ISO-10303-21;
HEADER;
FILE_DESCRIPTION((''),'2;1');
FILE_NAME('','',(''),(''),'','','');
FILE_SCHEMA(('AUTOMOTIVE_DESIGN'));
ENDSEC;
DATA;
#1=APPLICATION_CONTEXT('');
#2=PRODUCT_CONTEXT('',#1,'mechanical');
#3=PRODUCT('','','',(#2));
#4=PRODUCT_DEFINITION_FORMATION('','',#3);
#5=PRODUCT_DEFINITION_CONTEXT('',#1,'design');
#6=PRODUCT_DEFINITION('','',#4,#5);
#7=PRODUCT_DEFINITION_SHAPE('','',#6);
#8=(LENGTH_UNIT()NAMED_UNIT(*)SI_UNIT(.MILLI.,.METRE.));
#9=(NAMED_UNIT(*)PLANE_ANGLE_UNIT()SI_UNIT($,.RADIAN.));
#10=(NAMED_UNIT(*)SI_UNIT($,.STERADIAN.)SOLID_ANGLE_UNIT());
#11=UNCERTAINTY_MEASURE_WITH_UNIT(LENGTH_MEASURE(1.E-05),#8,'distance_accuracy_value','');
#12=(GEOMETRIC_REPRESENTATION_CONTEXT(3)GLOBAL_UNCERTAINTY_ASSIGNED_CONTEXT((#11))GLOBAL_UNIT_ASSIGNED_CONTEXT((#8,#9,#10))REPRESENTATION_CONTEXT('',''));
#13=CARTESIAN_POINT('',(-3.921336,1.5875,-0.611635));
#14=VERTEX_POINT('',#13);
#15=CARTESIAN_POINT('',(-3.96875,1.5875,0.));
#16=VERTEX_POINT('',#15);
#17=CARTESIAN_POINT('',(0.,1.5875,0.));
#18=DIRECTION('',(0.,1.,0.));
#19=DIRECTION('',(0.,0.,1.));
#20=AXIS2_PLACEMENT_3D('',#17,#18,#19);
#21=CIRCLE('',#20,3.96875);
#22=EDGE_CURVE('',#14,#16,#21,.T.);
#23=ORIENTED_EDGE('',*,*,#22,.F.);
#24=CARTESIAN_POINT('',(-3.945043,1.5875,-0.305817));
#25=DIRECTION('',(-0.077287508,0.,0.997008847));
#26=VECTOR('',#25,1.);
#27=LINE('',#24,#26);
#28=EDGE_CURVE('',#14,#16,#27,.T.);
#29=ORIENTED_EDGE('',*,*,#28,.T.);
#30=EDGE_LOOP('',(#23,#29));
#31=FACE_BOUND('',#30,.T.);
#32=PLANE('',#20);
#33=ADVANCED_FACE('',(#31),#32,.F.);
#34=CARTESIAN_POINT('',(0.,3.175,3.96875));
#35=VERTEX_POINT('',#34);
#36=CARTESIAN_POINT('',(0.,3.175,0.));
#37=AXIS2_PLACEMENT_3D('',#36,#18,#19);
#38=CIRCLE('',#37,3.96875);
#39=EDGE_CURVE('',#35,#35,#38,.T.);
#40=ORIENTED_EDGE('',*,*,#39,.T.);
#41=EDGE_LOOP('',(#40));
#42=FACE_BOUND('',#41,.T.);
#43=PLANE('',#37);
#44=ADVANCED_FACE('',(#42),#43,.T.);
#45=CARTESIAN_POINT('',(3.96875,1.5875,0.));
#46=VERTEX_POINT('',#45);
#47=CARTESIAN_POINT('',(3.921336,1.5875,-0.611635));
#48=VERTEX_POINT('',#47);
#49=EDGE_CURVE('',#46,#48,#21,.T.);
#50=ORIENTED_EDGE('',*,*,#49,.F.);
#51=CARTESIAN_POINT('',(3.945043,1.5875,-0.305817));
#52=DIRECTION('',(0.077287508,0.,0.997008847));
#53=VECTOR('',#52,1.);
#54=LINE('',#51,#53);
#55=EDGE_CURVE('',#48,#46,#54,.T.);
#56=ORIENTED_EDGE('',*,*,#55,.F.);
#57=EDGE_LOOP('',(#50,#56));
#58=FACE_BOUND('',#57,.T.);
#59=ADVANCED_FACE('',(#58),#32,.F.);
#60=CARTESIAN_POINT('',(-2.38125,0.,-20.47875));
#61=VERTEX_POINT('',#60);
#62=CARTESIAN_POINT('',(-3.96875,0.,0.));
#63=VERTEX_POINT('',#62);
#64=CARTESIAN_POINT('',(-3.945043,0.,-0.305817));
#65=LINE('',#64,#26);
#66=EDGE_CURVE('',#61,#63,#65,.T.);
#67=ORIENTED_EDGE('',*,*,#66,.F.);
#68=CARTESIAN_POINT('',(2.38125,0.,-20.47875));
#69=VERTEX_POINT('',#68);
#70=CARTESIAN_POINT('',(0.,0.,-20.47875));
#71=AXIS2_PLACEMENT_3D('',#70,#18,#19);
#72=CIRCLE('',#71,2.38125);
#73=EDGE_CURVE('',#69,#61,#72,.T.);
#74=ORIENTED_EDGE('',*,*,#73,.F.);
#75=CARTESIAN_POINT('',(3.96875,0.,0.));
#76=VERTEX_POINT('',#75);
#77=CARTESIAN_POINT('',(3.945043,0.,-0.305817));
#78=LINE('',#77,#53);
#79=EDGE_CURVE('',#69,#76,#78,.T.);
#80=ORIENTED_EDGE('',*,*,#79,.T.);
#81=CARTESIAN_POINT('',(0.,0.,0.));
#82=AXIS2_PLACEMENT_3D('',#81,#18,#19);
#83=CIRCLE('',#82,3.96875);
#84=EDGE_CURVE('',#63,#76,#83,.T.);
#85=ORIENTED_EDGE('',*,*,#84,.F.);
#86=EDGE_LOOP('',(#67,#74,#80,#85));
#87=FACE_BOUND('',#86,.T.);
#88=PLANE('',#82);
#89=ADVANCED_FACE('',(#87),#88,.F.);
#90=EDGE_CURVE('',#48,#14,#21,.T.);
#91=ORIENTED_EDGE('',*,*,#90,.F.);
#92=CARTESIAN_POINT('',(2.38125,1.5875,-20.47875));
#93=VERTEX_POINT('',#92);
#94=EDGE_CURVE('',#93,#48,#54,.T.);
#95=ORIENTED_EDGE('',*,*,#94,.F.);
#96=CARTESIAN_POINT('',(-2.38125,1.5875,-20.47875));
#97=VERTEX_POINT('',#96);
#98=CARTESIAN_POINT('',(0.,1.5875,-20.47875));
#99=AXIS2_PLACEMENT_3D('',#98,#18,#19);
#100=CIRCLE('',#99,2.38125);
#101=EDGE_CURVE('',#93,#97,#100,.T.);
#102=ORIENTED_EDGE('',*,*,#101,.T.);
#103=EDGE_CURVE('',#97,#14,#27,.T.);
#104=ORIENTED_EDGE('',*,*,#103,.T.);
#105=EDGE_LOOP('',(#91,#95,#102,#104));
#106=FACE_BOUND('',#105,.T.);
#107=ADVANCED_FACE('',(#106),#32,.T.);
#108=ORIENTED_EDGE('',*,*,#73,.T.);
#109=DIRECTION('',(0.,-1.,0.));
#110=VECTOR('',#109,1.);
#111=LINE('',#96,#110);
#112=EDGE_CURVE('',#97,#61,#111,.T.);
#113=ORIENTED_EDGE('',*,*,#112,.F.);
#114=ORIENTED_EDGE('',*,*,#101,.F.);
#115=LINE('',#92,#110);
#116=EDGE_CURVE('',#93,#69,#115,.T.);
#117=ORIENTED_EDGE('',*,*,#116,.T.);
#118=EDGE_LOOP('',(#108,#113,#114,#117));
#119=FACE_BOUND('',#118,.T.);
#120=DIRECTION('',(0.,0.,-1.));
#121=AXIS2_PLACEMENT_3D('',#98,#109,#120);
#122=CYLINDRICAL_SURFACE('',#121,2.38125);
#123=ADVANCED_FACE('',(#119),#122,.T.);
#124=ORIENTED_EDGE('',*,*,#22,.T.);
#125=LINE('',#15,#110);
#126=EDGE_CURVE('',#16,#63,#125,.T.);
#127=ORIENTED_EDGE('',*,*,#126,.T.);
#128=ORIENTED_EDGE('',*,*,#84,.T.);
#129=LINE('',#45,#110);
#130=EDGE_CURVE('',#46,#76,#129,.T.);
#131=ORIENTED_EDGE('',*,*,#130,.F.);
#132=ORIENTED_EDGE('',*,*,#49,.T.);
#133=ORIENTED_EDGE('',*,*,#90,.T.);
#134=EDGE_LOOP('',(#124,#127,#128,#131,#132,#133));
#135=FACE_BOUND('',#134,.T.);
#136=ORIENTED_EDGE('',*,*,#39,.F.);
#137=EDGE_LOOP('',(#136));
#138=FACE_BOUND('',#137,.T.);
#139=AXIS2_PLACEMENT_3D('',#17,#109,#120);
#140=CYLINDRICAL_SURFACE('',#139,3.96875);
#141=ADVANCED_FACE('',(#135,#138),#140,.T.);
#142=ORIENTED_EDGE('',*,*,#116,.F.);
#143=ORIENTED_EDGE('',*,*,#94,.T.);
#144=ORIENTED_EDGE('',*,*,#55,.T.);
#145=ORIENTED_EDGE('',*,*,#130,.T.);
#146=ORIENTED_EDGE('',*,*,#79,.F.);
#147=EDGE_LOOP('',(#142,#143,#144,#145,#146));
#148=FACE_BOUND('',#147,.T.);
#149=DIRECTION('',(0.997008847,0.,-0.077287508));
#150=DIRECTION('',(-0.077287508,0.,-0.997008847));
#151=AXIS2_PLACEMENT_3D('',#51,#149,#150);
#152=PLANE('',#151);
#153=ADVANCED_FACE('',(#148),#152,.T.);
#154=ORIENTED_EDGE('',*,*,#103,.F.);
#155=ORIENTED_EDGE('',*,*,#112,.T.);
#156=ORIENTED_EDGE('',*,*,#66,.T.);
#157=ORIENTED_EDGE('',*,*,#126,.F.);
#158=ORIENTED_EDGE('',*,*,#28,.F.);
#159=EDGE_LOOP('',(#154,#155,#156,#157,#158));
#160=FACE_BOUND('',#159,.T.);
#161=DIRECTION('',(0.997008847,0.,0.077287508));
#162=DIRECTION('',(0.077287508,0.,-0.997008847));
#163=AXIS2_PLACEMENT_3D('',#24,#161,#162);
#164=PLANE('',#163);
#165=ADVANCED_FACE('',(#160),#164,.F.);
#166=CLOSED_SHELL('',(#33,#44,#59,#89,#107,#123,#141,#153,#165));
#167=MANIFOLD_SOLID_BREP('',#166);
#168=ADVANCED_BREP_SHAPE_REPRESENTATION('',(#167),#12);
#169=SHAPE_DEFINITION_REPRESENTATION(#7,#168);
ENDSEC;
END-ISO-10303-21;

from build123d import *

# Parameters (mm, degrees)
SKETCH1_R           = 2.38125
BOSS_EXTRUDE1_DEPTH = 1.5875
SKETCH2_R           = 3.96875
BOSS_EXTRUDE2_DEPTH = 1.5875


with BuildPart() as part:
    # Sketch1 → Boss-Extrude1 (new body)
    with BuildSketch(Plane(origin=(0, 0, 0), x_dir=(1, 0, 0), z_dir=(0, 1, 0))):
        with BuildLine():
            Line((3.96875, 0), (3.921336464, 0.61163461))
            ThreePointArc((3.921336464, 0.61163461), (0, 3.96875), (-3.921336464, 0.61163461))
            Line((-3.921336464, 0.61163461), (-3.96875, 0))
            ThreePointArc((-3.96875, 0), (0, -3.96875), (3.96875, 0))
        make_face()
        with BuildLine():
            Line((3.921336464, 0.61163461), (2.38125, 20.47875))
            ThreePointArc((2.38125, 20.47875), (0, 18.0975), (-2.38125, 20.47875))
            Line((-2.38125, 20.47875), (-3.921336464, 0.61163461))
            ThreePointArc((-3.921336464, 0.61163461), (0, 3.96875), (3.921336464, 0.61163461))
        make_face()
        with Locations((0, 20.47875)):
            Circle(SKETCH1_R)
    extrude(amount=BOSS_EXTRUDE1_DEPTH)

    # Sketch2 → Boss-Extrude2 (add)
    with BuildSketch(Plane(origin=(0, 1.5875, 0), x_dir=(1, 0, 0), z_dir=(0, 1, 0))):
        with Locations(Location((0, 0, 0), (0, 0, 8.865336937))):
            Circle(SKETCH2_R)
    extrude(amount=BOSS_EXTRUDE2_DEPTH)


solid = part.part
